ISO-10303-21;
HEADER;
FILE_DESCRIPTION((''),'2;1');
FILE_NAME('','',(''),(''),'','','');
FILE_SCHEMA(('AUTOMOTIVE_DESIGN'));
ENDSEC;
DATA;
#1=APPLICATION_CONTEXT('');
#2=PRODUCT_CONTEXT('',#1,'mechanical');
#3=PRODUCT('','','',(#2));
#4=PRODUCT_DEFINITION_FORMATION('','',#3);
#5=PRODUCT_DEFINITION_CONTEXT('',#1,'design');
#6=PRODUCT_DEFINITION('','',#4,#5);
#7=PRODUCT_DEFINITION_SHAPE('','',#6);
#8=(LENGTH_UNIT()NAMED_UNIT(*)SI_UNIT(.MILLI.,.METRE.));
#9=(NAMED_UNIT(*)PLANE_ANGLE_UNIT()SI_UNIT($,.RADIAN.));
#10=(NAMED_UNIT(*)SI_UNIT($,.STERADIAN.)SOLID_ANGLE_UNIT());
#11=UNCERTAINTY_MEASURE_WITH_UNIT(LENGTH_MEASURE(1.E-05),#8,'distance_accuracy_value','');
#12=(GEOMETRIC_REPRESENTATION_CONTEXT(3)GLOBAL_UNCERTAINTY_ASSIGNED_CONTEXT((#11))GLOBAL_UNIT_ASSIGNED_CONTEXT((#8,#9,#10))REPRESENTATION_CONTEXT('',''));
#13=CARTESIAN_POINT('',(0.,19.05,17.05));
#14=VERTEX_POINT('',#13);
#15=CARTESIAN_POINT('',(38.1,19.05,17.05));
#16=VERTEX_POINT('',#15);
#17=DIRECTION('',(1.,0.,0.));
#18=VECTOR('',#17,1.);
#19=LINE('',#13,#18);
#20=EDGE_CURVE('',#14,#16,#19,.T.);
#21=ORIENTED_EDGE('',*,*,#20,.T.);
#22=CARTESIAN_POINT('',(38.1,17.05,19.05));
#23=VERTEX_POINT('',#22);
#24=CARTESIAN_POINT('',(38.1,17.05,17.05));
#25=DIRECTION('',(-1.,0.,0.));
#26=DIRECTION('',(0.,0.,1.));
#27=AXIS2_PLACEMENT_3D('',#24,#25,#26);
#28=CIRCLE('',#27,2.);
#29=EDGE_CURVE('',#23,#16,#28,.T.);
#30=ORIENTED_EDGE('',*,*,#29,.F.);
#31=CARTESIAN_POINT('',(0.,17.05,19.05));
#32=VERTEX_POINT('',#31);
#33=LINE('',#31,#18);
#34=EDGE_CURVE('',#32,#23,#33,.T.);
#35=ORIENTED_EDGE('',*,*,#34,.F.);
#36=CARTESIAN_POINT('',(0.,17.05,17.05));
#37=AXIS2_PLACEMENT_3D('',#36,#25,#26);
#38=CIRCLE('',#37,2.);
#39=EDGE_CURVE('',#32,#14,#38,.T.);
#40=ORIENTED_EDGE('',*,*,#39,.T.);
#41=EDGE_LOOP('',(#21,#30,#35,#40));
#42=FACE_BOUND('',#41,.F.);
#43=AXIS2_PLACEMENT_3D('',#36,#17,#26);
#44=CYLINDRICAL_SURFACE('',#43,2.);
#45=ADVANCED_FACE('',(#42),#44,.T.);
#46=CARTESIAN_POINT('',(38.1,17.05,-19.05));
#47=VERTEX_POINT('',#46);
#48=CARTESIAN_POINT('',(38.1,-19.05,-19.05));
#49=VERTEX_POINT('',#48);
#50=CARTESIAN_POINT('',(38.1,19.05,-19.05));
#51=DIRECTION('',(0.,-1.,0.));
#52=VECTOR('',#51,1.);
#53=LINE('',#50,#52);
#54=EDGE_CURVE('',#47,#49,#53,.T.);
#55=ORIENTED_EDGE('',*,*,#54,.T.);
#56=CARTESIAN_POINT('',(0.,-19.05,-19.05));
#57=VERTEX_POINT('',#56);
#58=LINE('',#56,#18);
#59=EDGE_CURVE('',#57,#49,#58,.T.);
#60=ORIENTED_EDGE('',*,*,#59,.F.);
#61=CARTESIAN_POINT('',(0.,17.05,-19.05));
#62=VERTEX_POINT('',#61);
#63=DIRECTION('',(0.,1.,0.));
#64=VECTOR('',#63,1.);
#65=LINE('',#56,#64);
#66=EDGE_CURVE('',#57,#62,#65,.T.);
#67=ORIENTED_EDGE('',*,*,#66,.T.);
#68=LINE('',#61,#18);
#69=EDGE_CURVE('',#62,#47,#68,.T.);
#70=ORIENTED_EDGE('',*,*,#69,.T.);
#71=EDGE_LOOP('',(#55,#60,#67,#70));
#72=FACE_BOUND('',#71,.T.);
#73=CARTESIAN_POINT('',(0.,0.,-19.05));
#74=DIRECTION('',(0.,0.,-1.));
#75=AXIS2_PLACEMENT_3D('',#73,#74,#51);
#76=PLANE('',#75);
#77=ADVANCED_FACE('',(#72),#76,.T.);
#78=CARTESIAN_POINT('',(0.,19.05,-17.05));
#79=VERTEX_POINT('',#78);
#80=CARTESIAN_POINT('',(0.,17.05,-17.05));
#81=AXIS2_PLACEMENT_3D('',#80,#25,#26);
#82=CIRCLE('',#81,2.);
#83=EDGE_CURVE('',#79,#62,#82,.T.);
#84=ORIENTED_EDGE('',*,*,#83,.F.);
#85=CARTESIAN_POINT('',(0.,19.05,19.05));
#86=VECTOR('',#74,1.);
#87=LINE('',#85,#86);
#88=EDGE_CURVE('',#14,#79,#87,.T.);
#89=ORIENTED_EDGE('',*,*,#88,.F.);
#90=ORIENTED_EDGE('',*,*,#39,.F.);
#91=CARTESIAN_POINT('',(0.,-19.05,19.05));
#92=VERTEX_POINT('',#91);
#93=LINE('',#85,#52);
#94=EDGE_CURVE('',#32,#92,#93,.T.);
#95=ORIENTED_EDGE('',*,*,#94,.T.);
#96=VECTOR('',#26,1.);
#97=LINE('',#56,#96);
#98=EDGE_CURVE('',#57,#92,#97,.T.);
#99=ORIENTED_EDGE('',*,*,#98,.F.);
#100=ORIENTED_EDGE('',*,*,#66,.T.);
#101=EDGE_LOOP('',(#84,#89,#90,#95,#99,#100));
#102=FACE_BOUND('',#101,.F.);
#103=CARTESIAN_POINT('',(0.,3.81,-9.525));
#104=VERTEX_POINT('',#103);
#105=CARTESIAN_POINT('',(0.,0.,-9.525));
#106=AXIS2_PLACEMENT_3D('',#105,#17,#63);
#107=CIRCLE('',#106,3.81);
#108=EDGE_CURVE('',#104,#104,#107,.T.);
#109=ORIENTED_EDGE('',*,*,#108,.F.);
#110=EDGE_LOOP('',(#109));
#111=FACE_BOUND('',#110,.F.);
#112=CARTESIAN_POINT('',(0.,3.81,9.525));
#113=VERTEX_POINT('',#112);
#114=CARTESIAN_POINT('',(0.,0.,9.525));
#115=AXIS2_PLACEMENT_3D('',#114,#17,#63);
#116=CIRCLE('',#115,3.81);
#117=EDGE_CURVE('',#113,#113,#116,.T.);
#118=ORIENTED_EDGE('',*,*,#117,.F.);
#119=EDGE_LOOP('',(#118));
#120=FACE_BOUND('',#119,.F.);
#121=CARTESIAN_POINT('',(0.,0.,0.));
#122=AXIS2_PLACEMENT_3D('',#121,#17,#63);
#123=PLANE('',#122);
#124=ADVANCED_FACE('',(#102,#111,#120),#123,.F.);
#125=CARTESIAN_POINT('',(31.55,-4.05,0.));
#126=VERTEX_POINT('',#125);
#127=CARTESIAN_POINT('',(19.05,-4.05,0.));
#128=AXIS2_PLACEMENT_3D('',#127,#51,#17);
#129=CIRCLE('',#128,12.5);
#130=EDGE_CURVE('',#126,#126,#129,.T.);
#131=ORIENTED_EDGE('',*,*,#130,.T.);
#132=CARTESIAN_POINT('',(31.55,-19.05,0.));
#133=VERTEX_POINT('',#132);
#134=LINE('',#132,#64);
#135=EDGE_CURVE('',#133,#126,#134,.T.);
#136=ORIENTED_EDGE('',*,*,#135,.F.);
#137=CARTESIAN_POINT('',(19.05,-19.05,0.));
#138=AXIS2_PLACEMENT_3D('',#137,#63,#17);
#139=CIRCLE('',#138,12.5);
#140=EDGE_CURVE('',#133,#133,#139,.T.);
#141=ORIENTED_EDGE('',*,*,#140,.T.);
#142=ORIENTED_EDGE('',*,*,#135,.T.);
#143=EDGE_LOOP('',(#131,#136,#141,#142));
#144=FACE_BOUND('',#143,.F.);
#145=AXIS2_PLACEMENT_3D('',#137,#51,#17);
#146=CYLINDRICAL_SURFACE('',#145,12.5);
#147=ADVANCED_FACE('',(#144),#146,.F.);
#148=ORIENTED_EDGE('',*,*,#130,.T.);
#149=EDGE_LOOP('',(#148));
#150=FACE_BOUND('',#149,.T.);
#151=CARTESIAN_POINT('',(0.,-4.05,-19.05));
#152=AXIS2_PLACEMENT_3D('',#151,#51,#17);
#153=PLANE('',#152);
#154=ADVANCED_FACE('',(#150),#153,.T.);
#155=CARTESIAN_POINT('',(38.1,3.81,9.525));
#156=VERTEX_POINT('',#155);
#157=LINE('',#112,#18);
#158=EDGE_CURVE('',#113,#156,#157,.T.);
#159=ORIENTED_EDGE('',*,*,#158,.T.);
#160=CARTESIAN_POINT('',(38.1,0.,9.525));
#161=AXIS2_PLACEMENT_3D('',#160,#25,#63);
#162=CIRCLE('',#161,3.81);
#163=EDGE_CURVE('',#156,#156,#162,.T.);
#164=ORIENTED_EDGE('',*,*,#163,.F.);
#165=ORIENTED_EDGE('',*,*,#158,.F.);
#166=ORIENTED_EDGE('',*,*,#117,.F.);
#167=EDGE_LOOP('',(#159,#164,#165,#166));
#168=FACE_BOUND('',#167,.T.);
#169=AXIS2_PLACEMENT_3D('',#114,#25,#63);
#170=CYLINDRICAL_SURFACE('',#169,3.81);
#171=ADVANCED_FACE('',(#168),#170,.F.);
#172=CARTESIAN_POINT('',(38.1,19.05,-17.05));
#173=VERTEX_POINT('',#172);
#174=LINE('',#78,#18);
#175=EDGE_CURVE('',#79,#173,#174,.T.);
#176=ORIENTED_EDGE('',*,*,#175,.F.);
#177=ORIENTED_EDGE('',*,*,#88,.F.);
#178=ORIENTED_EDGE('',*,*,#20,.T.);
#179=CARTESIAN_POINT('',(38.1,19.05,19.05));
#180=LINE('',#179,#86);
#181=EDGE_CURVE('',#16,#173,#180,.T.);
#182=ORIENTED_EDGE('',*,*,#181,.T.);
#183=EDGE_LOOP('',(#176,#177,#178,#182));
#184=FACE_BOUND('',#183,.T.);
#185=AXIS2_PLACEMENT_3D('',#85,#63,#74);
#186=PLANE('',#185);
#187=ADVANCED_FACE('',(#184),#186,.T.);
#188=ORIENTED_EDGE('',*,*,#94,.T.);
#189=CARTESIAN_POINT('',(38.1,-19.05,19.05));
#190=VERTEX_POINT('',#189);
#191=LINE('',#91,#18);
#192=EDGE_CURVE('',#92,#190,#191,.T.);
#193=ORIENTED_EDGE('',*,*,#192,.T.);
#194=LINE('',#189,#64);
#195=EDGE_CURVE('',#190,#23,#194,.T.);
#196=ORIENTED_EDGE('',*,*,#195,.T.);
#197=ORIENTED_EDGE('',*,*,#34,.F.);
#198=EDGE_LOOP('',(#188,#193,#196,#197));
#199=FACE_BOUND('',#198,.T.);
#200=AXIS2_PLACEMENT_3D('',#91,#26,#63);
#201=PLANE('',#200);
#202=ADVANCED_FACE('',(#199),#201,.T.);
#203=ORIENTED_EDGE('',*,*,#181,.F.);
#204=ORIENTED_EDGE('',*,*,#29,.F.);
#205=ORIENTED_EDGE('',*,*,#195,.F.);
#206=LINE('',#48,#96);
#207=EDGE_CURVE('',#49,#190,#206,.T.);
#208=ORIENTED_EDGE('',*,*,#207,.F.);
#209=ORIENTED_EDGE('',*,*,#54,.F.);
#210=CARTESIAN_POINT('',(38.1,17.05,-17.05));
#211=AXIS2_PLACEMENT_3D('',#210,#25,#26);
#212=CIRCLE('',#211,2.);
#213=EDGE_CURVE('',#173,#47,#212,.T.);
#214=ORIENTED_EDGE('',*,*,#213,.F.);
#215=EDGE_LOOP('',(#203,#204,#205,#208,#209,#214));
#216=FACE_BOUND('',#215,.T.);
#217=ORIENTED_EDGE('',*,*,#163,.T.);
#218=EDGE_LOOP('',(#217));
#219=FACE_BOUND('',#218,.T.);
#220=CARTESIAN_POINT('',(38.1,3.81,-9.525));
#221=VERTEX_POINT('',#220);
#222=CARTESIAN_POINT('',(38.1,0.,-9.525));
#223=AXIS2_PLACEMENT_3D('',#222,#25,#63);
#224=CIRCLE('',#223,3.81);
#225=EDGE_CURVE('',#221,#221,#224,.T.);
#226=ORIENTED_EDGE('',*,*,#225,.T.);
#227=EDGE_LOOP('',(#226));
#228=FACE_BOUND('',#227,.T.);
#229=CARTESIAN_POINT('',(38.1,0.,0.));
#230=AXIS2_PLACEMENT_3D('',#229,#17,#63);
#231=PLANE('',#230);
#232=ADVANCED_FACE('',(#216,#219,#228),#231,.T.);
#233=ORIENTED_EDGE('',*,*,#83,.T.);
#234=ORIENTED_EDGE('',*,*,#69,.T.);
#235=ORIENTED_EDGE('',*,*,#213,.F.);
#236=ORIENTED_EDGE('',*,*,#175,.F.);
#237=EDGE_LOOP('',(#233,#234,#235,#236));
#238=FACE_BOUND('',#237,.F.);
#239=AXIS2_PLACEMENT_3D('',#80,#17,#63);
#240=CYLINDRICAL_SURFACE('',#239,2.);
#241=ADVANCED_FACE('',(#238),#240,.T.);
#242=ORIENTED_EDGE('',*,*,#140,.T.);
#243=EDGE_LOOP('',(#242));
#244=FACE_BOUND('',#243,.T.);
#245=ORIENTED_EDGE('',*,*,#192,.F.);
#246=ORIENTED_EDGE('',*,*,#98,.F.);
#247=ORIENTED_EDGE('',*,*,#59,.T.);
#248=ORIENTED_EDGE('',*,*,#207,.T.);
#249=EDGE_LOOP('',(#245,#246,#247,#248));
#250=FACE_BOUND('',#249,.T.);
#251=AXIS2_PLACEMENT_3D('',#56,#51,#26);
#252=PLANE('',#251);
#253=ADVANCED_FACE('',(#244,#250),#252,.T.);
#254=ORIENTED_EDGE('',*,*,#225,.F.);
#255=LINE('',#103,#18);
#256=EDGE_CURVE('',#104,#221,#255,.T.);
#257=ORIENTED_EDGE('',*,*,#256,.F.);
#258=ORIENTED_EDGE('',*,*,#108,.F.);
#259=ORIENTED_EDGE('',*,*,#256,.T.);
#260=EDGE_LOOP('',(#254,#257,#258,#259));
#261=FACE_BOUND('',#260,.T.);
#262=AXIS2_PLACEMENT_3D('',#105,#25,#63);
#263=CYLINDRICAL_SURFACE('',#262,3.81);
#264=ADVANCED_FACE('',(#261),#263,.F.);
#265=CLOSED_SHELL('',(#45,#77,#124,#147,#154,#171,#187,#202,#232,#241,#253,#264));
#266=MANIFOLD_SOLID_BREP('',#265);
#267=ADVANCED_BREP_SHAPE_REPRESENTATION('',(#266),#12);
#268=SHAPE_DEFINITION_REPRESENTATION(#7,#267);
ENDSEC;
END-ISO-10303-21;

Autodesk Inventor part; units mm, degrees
ref_plane "YZ Plane" through (0, 0, 0) normal (1, 0, 0) x (0, 1, 0)
ref_plane "XZ Plane" through (0, 0, 0) normal (0, 1, 0) x (-1, 0, 0)
ref_plane "XY Plane" through (0, 0, 0) normal (0, 0, 1) x (1, 0, 0)
sketch "Sketch1" plane through (0, 0, 0) normal (1, 0, 0) x (0, 1, 0)
  line L0 (-19.05, 19.05) -> (19.05, 19.05)
  line L1 (19.05, 19.05) -> (19.05, -19.05)
  line L2 (19.05, -19.05) -> (-19.05, -19.05)
  line L3 (-19.05, -19.05) -> (-19.05, 19.05)
  line L4 (-19.05, 19.05) -> (19.05, -19.05) construction
  line L5 (19.05, 19.05) -> (-19.05, -19.05) construction
  line L6 (19.05, 19.05) -> (-19.05, -19.05)
  line L7 (19.05, -19.05) -> (-19.05, 19.05)
  line L8 (0, 0) -> (0, -19.05)
  line L9 (0, 0) -> (0, 19.05)
  circle A0 centre (0, 9.525) radius 3.81
  circle A1 centre (0, -9.525) radius 3.81
  dimension "d0" = 38.1
  dimension "d1" = 38.1
  dimension "d2" = 7.62
  dimension "d3" = 7.62
  dimension "d4" = 19.05
extrude "Extrusion1" add sketch "Sketch1" along normal blind 38.1 contours L7 L6 L3 | L0 L9 A0 L7 | L0 L6 L9 A0 | L6 L8 A1 L2 | L6 L1 L7 | L7 L2 L8 A1
sketch "Sketch2" plane through (0, -19.05, -19.05) normal (0, -1, 0) x (1, 0, 0)
  line L0 (38.1, 0) -> (38.1, 38.1) projected
  line L1 (0, 0) -> (38.1, 0) projected
  line L2 (38.1, 38.1) -> (38.1, 0)
  line L3 (38.1, 0) -> (0, 0)
  line L4 (0, 0) -> (0, 38.1) projected
  line L5 (0, 0) -> (0, 38.1)
  line L6 (0, 38.1) -> (38.1, 38.1)
  line L7 (0, 38.1) -> (38.1, 38.1) projected
  line L8 (0, 0) -> (38.1, 38.1)
  line L9 (38.1, 0) -> (0, 38.1)
  circle A0 centre (19.05, 19.05) radius 12.5
  point P0 (0, 19.05)
  dimension "d7" = 25
extrude "Extrusion2" cut sketch "Sketch2" against normal blind 15 contours A0 L8 L9 | L9 L8 A0 | L8 L9 A0 | A0 L9 L8
fillet "Fillet1" radius 2 1 edges at (19.05, 19.05, 19.05)
fillet "Fillet2" radius 2 1 edges at (19.05, 19.05, -19.05)
properties part number "cube fixation2"
